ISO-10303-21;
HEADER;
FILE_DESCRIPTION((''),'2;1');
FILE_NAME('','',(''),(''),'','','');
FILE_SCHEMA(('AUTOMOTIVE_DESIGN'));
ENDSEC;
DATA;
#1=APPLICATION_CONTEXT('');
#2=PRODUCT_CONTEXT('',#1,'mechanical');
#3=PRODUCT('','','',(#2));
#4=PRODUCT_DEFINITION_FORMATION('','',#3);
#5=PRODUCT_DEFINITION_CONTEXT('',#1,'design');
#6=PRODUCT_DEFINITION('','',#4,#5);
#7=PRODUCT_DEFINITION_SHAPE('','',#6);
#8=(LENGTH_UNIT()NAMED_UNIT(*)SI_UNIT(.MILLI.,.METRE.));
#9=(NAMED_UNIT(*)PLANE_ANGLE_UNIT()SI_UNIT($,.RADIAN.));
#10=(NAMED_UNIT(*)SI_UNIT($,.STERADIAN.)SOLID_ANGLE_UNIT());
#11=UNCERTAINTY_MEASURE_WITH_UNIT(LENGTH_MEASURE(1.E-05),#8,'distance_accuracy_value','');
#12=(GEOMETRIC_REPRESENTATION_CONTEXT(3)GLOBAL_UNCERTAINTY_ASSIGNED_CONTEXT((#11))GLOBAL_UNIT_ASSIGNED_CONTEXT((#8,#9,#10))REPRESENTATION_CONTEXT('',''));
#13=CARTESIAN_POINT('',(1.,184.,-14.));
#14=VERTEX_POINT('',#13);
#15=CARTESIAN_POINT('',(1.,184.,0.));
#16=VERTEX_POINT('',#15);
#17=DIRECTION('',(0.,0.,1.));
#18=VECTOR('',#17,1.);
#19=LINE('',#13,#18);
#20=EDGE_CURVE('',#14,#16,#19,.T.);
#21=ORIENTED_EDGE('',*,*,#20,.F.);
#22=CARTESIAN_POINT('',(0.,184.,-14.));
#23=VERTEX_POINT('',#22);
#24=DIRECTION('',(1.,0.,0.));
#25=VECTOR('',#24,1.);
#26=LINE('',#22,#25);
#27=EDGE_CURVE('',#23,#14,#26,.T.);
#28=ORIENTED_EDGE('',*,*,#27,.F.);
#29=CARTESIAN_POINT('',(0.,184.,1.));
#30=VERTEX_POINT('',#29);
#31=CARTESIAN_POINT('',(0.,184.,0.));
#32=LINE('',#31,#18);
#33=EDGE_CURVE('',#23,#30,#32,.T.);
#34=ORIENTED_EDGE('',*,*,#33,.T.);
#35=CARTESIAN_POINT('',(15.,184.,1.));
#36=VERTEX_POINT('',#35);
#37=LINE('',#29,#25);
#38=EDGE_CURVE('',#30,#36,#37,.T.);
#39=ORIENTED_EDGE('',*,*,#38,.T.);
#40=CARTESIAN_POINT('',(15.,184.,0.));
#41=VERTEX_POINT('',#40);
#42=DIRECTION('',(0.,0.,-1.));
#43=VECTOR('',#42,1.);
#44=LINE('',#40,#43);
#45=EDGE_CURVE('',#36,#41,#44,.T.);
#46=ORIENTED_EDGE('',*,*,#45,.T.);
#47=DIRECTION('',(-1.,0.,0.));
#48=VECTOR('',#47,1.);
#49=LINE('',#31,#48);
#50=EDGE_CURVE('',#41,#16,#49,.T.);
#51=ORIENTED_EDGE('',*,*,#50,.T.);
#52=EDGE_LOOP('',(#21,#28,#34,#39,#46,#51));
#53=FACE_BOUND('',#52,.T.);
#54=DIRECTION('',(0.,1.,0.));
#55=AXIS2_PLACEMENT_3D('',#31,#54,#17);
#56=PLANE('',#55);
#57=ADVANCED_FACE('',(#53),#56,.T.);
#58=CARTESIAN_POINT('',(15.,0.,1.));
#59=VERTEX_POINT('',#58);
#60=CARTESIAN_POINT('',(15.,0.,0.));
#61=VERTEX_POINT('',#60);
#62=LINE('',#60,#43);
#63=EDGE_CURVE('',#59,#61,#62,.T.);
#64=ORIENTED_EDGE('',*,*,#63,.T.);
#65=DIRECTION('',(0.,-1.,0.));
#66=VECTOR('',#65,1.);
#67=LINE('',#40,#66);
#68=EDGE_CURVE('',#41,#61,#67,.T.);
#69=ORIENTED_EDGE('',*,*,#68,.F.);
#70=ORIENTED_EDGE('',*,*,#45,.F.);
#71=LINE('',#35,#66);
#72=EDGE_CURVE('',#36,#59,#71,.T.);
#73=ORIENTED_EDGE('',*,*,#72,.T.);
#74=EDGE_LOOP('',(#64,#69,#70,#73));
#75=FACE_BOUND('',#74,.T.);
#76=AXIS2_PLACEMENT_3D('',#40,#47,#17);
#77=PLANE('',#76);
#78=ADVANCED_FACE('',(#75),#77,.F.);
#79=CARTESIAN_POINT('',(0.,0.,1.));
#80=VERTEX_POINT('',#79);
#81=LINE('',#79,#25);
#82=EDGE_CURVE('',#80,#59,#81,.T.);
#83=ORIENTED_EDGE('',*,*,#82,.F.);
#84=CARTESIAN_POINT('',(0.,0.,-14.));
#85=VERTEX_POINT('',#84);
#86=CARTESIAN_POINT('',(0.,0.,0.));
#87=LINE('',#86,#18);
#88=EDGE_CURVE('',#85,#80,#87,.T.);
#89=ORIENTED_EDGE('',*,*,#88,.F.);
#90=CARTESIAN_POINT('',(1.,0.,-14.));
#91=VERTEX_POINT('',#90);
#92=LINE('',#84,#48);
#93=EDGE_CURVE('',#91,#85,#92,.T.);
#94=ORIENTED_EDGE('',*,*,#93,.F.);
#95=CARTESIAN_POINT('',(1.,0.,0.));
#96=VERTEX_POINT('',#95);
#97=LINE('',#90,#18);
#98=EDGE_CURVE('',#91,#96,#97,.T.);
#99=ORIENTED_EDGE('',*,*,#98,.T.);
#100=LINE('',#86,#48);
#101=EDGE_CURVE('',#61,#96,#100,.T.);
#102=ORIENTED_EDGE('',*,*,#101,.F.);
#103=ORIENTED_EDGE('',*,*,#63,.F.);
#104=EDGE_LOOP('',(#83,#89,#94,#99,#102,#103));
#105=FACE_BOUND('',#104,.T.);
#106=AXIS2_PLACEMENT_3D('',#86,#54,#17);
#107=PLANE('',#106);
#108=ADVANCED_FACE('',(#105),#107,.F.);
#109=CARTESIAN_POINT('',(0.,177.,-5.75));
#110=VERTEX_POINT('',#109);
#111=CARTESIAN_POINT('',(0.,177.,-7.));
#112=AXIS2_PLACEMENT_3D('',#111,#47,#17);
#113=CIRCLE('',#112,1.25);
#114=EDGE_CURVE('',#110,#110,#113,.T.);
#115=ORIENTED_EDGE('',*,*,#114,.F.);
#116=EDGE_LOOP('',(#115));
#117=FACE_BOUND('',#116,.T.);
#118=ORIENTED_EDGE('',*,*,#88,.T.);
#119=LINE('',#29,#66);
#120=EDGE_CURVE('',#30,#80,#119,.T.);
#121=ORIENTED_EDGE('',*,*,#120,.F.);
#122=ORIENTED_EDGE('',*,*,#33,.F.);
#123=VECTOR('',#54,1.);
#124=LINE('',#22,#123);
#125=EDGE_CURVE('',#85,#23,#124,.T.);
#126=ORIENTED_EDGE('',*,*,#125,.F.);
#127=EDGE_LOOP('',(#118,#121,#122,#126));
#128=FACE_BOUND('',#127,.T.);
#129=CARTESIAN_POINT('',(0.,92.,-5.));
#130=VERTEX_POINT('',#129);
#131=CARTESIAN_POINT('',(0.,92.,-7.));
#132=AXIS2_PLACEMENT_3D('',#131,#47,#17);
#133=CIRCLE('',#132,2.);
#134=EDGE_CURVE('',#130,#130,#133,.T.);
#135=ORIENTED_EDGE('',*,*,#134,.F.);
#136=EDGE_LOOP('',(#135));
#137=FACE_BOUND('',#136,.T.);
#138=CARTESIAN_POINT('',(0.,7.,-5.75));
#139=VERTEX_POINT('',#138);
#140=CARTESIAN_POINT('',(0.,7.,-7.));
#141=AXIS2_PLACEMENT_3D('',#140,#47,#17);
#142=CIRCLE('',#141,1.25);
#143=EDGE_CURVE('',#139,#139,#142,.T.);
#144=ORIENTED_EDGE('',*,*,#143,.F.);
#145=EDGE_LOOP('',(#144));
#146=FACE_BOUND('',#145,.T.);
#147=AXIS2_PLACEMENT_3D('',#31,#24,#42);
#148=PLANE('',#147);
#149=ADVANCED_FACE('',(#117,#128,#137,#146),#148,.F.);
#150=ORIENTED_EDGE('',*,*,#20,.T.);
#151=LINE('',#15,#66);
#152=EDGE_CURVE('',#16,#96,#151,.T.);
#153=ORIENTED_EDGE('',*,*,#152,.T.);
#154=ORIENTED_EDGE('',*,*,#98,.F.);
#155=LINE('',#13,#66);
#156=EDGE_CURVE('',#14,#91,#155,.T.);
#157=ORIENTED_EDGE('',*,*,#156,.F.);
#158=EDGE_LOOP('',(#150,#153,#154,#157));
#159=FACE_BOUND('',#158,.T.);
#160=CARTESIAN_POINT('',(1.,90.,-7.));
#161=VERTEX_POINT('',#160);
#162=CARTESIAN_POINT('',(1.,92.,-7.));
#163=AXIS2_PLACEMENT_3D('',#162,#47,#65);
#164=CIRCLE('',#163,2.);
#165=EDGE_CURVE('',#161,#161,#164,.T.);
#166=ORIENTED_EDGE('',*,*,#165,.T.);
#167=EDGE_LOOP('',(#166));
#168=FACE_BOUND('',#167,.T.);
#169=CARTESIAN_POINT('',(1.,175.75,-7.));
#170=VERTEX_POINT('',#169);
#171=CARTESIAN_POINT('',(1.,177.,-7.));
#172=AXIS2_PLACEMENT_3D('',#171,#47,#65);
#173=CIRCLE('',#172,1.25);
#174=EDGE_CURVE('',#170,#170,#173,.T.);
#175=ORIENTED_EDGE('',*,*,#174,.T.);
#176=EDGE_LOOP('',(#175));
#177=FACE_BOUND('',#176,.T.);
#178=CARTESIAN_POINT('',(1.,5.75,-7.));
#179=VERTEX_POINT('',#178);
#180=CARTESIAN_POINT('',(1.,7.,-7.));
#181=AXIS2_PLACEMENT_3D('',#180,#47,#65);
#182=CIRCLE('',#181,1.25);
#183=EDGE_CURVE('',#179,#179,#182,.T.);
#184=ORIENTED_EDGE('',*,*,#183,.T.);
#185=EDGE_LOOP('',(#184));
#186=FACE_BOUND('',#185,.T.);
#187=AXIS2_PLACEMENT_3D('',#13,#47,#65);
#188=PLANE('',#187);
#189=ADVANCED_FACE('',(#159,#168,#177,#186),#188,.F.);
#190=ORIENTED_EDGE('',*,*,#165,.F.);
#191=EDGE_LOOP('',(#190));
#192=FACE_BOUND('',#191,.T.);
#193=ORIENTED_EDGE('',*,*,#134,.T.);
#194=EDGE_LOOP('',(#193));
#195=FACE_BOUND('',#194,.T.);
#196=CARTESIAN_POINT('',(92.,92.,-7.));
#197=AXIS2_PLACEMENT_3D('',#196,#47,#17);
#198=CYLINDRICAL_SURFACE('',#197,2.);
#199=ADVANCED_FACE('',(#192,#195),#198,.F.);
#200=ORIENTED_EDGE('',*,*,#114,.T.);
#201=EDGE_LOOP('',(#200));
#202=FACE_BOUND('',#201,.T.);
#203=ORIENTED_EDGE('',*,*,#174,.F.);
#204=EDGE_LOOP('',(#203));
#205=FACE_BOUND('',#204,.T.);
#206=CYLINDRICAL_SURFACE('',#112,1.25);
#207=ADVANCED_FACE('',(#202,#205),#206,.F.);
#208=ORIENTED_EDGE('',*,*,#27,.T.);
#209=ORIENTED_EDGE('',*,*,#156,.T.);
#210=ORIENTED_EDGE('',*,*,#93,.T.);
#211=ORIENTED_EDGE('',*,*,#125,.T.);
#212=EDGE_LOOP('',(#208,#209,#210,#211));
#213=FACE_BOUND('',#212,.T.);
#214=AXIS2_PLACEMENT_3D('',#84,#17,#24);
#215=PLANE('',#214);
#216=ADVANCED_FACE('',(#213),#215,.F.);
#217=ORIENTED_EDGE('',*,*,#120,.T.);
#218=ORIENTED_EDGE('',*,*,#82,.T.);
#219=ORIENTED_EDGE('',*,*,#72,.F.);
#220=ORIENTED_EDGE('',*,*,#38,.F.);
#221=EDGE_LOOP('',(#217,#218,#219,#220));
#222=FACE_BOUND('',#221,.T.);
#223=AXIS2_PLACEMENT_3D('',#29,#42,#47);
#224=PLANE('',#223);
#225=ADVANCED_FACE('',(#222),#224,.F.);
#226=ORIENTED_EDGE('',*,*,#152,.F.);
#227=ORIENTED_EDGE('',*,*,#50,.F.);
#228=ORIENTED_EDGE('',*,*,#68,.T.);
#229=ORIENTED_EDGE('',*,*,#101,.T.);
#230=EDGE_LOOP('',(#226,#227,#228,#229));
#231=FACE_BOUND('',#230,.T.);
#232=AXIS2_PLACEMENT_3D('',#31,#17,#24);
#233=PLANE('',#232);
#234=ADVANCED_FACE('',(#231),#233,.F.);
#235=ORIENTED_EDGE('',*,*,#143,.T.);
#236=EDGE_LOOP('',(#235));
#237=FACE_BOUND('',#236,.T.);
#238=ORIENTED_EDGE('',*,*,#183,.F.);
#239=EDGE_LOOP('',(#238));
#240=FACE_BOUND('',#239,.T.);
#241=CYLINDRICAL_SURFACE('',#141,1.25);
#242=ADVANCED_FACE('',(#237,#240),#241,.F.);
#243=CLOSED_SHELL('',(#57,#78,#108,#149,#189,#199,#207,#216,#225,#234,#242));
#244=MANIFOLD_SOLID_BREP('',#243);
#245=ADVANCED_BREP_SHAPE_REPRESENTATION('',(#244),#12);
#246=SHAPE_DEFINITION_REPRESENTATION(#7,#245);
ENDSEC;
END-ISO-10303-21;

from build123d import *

# Parameters (mm, degrees)
SKETCH_1_W          = 15
SKETCH_1_H          = 1
EXTRUDE_1_DEPTH     = 184
SKETCH_3_W          = 1
SKETCH_3_H          = 184
EXTRUDE_2_DEPTH     = 14
M3X0_5_1_D          = 2.5
SKETCH_7_R          = 2
CUT_EXTRUDE_1_DEPTH = 92


with BuildPart() as part:
    # ｽｹｯﾁ1 → ﾎﾞｽ - 押し出し1 (new body)
    with BuildSketch(Plane(origin=(0, 0, 0), x_dir=(1, 0, 0), z_dir=(0, 1, 0))):
        with Locations((7.5, -0.5)):
            Rectangle(SKETCH_1_W, SKETCH_1_H)
    extrude(amount=EXTRUDE_1_DEPTH)

    # ｽｹｯﾁ3 → ﾎﾞｽ - 押し出し2 (add)
    with BuildSketch(Plane(origin=(0, 0, 0), x_dir=(-1, 0, 0), z_dir=(0, 0, -1))):
        with Locations((-0.5, 92)):
            Rectangle(SKETCH_3_W, SKETCH_3_H)
    extrude(amount=EXTRUDE_2_DEPTH)

    # M3x0.5 ねじ穴1 (through all)
    with Locations(Plane.ZY):
        with Locations((-7, 7), (-7, 177)):
            Hole(M3X0_5_1_D / 2)

    # ｽｹｯﾁ7 → ｶｯﾄ - 押し出し1 (cut)
    with BuildSketch(Plane.ZY):
        with Locations((-7, 92)):
            Circle(SKETCH_7_R)
    extrude(amount=-CUT_EXTRUDE_1_DEPTH, mode=Mode.SUBTRACT)


solid = part.part
